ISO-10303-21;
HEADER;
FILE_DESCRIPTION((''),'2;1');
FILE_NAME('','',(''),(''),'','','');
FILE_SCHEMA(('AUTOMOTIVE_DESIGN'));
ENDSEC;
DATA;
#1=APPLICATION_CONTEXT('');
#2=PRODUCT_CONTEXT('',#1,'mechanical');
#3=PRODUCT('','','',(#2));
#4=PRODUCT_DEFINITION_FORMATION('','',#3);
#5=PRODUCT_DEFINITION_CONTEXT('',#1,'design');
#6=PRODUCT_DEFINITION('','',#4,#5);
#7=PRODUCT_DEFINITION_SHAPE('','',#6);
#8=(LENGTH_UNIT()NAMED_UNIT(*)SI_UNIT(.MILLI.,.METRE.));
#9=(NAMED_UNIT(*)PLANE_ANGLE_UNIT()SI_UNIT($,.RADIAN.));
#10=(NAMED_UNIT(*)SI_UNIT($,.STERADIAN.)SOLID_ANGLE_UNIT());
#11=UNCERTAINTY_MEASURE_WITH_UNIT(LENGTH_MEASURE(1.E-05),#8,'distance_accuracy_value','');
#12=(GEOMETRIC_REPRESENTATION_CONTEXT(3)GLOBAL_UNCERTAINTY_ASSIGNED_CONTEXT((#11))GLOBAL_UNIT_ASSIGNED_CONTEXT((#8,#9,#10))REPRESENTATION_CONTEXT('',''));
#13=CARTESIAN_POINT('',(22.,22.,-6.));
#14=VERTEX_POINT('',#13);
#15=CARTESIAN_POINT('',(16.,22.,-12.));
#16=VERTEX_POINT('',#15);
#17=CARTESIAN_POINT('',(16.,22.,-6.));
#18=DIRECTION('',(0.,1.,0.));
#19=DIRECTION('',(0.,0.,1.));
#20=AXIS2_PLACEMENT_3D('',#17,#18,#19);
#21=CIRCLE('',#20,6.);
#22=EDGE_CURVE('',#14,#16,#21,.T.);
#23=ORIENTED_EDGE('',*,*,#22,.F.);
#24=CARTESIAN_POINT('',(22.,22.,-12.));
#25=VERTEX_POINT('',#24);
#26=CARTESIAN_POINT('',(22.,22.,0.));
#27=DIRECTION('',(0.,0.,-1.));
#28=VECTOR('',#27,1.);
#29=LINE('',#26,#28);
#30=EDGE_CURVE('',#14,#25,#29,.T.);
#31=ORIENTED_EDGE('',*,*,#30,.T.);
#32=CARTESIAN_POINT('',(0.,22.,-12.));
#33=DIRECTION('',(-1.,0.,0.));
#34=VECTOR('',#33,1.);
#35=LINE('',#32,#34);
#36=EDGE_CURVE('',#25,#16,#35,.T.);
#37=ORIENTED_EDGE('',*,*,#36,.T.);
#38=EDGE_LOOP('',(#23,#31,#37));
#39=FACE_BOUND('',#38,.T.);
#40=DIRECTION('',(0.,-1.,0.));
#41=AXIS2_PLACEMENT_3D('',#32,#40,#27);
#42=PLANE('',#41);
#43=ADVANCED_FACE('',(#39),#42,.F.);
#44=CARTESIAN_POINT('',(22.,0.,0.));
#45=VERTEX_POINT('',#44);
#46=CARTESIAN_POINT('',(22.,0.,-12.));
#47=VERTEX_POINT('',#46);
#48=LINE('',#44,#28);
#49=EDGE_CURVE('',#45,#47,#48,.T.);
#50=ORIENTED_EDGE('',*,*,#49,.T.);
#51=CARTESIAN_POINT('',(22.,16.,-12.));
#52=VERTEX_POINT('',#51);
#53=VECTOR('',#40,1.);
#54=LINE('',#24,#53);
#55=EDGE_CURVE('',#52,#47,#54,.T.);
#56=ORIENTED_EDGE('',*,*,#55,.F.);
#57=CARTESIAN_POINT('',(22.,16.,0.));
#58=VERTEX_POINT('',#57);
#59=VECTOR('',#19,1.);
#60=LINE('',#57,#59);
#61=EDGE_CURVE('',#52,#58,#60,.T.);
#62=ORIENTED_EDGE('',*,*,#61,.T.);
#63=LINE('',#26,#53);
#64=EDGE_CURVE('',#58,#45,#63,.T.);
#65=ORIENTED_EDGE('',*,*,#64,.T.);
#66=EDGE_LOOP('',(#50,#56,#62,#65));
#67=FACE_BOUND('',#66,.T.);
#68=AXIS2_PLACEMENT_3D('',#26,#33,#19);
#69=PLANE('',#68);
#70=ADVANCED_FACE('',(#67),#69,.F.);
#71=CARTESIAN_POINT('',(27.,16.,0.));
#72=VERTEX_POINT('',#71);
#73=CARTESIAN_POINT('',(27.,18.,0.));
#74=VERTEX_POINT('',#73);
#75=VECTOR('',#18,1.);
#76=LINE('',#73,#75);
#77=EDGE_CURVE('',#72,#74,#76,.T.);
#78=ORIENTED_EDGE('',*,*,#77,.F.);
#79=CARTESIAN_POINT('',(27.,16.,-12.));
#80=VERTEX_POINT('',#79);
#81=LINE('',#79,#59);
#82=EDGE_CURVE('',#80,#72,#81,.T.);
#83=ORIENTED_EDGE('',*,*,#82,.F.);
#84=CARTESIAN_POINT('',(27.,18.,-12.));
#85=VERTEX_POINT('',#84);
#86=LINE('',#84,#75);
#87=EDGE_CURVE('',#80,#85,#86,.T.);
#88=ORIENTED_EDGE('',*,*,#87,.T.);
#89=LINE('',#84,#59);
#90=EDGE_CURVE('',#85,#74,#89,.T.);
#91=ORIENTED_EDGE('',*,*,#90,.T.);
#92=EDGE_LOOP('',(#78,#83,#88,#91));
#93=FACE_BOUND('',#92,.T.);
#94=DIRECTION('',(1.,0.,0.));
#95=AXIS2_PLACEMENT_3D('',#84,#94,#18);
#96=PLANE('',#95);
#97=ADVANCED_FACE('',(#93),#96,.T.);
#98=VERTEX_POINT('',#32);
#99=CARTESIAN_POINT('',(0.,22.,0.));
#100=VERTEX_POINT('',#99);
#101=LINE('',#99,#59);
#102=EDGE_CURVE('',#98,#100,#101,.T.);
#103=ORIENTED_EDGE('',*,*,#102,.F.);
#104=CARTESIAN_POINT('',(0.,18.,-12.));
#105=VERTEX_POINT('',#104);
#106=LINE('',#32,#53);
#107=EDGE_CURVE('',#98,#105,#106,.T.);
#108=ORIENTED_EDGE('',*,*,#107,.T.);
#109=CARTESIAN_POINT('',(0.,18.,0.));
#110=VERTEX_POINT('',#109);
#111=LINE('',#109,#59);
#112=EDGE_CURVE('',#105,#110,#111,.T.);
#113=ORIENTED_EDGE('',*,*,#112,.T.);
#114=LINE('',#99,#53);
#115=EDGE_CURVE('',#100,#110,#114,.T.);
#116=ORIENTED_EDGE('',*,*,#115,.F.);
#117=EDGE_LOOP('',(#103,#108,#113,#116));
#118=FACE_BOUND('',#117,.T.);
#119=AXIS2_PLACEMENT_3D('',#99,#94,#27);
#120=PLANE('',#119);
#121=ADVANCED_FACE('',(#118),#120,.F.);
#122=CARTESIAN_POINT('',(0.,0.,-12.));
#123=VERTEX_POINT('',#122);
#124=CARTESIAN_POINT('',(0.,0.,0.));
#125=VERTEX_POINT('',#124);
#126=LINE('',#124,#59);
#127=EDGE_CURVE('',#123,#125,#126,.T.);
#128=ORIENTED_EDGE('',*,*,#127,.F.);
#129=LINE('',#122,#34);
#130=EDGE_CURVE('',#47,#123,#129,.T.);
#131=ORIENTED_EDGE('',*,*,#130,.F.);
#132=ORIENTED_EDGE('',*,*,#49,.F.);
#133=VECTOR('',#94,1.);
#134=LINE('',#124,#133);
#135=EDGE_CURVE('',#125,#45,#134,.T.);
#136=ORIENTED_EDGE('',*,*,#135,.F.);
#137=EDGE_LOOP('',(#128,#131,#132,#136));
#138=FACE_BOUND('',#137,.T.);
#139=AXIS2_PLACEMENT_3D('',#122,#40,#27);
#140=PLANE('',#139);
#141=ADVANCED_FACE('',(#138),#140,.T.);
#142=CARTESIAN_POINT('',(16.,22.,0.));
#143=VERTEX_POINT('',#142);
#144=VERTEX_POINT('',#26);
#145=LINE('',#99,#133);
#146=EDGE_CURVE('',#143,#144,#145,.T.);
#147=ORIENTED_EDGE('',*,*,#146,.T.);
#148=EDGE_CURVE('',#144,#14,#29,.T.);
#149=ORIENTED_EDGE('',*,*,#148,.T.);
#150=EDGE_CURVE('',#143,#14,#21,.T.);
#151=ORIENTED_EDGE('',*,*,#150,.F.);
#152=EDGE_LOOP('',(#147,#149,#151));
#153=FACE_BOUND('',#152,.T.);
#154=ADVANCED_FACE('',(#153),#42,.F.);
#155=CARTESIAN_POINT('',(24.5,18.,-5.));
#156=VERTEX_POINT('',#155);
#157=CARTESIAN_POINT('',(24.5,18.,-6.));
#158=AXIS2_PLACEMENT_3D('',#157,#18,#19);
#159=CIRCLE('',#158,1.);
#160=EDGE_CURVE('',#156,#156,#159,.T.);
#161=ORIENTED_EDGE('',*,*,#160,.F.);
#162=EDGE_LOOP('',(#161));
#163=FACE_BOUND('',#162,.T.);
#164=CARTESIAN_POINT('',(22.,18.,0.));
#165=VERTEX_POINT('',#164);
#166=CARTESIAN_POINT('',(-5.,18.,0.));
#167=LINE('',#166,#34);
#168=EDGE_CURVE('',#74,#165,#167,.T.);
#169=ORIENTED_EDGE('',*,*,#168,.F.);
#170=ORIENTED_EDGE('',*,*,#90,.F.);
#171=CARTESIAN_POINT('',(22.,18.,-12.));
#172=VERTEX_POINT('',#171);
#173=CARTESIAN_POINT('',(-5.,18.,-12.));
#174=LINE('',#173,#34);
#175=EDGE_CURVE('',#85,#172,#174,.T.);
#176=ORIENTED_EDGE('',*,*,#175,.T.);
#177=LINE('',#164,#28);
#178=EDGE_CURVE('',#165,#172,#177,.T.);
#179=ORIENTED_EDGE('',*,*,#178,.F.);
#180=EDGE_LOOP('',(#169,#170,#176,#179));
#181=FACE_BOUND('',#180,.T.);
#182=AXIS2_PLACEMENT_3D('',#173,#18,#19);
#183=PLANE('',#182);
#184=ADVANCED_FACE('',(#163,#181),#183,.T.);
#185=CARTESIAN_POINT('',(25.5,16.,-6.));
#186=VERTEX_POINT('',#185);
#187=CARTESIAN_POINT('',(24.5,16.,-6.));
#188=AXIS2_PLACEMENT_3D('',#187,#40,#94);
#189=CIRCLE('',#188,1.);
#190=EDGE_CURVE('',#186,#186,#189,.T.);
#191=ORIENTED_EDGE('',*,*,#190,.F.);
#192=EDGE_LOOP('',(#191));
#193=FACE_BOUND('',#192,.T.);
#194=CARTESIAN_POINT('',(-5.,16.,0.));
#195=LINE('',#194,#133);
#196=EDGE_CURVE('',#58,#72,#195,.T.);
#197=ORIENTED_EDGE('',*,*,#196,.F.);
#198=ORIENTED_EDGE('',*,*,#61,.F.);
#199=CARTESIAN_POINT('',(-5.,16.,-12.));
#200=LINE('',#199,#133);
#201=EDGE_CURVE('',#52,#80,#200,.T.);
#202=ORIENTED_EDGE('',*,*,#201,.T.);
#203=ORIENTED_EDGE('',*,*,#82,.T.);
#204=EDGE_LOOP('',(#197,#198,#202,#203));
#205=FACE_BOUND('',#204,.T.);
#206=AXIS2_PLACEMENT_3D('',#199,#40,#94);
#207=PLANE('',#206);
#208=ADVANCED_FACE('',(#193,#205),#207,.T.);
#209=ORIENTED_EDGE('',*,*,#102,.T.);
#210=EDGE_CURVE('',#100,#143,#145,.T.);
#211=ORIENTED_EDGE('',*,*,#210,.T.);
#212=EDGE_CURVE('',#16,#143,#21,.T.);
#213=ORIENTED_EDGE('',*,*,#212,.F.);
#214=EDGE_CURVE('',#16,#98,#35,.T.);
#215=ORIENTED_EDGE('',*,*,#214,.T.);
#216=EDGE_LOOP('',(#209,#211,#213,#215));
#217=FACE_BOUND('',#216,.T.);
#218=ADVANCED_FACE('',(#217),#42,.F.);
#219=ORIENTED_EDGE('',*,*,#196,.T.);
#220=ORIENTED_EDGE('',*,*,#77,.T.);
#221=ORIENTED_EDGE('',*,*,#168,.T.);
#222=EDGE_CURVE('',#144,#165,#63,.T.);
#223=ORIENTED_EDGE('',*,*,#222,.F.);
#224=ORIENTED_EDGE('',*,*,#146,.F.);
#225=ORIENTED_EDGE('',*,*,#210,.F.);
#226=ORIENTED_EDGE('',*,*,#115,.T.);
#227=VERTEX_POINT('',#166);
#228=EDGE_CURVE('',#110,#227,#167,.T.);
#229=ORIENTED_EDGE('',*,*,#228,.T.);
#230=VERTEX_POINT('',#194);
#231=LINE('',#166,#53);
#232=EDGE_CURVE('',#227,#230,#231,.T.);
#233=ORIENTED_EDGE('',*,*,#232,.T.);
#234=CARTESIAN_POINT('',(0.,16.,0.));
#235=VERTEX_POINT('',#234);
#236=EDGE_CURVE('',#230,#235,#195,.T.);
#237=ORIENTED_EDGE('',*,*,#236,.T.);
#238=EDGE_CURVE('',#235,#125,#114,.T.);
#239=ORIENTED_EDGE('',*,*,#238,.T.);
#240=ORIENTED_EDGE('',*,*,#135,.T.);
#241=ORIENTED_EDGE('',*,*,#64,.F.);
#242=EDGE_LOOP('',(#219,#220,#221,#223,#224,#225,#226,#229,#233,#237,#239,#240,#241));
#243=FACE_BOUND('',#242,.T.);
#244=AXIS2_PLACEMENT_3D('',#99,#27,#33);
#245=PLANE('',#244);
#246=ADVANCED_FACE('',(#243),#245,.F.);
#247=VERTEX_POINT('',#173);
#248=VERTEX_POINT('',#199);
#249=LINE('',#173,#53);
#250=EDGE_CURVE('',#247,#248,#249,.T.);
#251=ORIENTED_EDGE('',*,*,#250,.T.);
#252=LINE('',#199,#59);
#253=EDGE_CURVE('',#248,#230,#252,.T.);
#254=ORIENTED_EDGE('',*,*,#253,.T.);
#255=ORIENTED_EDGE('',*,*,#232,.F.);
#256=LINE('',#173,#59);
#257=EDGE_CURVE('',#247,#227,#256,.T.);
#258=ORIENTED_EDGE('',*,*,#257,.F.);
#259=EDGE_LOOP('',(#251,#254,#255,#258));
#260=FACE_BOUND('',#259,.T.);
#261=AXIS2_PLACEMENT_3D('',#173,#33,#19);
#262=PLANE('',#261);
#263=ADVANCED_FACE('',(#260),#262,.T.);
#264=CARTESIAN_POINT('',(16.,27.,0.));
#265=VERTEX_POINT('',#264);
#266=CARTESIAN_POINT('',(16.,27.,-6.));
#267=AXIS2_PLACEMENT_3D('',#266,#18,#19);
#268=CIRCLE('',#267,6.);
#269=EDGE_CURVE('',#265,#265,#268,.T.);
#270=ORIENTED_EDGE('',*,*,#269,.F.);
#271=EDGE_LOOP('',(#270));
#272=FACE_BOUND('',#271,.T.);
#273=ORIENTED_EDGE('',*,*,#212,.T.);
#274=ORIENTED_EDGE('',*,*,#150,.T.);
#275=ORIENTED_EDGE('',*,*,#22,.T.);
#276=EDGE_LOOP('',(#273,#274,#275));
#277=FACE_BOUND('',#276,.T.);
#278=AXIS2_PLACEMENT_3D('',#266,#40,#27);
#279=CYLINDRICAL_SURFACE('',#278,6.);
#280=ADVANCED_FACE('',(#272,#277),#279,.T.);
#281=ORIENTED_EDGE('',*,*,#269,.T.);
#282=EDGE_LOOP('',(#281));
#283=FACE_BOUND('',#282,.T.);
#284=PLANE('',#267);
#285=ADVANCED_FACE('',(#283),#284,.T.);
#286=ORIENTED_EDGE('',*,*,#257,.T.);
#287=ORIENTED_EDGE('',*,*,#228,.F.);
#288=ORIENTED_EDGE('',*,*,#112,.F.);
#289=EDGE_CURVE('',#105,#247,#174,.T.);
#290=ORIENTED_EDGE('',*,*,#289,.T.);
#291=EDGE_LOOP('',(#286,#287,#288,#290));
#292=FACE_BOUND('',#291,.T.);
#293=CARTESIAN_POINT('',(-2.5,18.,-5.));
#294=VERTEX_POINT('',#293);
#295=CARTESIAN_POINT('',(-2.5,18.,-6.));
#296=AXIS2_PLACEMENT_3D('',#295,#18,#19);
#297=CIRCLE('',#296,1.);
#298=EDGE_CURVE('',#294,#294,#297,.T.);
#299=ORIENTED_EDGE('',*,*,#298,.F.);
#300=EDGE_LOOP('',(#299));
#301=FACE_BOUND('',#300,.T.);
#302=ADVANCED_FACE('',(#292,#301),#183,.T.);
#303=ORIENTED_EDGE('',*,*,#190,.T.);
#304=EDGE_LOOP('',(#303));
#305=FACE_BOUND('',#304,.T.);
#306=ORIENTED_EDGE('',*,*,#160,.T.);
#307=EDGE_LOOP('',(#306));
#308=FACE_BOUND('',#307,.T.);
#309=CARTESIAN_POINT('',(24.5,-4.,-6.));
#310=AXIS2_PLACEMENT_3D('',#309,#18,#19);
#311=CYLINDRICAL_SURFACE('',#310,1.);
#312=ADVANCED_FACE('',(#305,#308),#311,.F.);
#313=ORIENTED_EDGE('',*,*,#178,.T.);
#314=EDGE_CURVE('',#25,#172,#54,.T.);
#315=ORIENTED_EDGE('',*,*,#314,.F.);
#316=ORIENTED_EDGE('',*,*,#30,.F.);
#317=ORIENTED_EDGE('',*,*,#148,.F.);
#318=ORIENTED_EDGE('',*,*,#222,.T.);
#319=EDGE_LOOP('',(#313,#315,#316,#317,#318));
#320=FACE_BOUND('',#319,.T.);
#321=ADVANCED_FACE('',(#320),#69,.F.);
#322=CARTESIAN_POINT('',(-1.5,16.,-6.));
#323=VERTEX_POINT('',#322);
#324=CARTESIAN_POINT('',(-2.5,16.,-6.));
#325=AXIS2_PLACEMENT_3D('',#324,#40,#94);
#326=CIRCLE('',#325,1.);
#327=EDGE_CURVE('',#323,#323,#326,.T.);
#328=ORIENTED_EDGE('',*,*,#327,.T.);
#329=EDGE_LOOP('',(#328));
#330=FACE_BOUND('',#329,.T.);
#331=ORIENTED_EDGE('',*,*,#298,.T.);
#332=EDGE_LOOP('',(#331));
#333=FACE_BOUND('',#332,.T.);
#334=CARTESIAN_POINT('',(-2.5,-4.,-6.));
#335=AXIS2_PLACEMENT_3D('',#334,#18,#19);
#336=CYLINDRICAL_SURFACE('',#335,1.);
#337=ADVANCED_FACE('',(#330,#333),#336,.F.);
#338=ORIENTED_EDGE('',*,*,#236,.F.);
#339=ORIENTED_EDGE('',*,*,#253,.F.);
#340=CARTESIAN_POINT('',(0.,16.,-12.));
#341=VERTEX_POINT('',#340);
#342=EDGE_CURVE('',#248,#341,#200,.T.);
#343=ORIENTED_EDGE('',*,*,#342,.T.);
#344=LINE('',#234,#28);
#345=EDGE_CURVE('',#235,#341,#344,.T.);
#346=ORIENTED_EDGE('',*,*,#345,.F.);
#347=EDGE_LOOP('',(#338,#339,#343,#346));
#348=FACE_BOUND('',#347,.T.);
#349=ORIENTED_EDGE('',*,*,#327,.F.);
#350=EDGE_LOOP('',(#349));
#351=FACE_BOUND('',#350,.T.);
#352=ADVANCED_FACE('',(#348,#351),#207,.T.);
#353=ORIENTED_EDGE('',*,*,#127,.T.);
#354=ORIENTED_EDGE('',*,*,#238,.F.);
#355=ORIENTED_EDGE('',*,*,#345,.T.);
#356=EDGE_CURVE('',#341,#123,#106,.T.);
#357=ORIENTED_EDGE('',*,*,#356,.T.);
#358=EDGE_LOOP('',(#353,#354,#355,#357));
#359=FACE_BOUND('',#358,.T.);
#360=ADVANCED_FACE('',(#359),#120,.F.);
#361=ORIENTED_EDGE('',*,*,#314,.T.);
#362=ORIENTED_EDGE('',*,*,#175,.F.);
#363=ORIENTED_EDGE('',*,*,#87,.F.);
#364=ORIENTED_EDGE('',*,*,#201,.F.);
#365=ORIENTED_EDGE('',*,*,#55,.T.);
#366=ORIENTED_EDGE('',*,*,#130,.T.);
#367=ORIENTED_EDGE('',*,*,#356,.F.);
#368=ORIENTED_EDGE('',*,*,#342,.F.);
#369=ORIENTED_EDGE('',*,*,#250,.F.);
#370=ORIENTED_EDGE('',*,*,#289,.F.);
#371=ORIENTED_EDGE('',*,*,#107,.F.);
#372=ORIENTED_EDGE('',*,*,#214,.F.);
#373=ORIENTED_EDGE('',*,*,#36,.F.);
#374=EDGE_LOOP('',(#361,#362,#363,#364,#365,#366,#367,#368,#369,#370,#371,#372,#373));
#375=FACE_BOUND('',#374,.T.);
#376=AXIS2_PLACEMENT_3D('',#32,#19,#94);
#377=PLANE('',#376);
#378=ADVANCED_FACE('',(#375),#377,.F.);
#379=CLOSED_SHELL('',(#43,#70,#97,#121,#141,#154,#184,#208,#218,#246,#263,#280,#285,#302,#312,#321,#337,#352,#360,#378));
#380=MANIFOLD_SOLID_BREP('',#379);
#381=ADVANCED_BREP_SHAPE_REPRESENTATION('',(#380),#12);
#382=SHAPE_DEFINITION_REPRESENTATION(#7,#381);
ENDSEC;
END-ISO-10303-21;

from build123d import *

# Parameters (mm, degrees)
SKETCH1_W           = 22
SKETCH1_H           = 12
BOSS_EXTRUDE1_DEPTH = 22
SKETCH2_W           = 32
SKETCH2_H           = 2
BOSS_EXTRUDE2_DEPTH = 12
SKETCH3_R           = 1
CUT_EXTRUDE1_DEPTH  = 22
SKETCH5_R           = 6
BOSS_EXTRUDE3_DEPTH = 5


with BuildPart() as part:
    # Sketch1 → Boss-Extrude1 (new body)
    with BuildSketch(Plane(origin=(0, 0, 0), x_dir=(1, 0, 0), z_dir=(0, 1, 0))):
        with Locations((11, 6)):
            Rectangle(SKETCH1_W, SKETCH1_H)
    extrude(amount=BOSS_EXTRUDE1_DEPTH)

    # Sketch2 → Boss-Extrude2 (add, through all)
    with BuildSketch(Plane.XY):
        with Locations((11, 17)):
            Rectangle(SKETCH2_W, SKETCH2_H)
    extrude(amount=-BOSS_EXTRUDE2_DEPTH)

    # Sketch3 → Cut-Extrude1 (cut)
    with BuildSketch(Plane(origin=(0, 18, 0), x_dir=(1, 0, 0), z_dir=(0, 1, 0))):
        with Locations((-2.5, 6)):
            Circle(SKETCH3_R)
        with Locations((24.5, 6)):
            Circle(SKETCH3_R)
    extrude(amount=-CUT_EXTRUDE1_DEPTH, mode=Mode.SUBTRACT)

    # Sketch5 → Boss-Extrude3 (add)
    with BuildSketch(Plane(origin=(0, 22, 0), x_dir=(1, 0, 0), z_dir=(0, 1, 0))):
        with Locations((16, 6)):
            Circle(SKETCH5_R)
    extrude(amount=BOSS_EXTRUDE3_DEPTH)


solid = part.part
